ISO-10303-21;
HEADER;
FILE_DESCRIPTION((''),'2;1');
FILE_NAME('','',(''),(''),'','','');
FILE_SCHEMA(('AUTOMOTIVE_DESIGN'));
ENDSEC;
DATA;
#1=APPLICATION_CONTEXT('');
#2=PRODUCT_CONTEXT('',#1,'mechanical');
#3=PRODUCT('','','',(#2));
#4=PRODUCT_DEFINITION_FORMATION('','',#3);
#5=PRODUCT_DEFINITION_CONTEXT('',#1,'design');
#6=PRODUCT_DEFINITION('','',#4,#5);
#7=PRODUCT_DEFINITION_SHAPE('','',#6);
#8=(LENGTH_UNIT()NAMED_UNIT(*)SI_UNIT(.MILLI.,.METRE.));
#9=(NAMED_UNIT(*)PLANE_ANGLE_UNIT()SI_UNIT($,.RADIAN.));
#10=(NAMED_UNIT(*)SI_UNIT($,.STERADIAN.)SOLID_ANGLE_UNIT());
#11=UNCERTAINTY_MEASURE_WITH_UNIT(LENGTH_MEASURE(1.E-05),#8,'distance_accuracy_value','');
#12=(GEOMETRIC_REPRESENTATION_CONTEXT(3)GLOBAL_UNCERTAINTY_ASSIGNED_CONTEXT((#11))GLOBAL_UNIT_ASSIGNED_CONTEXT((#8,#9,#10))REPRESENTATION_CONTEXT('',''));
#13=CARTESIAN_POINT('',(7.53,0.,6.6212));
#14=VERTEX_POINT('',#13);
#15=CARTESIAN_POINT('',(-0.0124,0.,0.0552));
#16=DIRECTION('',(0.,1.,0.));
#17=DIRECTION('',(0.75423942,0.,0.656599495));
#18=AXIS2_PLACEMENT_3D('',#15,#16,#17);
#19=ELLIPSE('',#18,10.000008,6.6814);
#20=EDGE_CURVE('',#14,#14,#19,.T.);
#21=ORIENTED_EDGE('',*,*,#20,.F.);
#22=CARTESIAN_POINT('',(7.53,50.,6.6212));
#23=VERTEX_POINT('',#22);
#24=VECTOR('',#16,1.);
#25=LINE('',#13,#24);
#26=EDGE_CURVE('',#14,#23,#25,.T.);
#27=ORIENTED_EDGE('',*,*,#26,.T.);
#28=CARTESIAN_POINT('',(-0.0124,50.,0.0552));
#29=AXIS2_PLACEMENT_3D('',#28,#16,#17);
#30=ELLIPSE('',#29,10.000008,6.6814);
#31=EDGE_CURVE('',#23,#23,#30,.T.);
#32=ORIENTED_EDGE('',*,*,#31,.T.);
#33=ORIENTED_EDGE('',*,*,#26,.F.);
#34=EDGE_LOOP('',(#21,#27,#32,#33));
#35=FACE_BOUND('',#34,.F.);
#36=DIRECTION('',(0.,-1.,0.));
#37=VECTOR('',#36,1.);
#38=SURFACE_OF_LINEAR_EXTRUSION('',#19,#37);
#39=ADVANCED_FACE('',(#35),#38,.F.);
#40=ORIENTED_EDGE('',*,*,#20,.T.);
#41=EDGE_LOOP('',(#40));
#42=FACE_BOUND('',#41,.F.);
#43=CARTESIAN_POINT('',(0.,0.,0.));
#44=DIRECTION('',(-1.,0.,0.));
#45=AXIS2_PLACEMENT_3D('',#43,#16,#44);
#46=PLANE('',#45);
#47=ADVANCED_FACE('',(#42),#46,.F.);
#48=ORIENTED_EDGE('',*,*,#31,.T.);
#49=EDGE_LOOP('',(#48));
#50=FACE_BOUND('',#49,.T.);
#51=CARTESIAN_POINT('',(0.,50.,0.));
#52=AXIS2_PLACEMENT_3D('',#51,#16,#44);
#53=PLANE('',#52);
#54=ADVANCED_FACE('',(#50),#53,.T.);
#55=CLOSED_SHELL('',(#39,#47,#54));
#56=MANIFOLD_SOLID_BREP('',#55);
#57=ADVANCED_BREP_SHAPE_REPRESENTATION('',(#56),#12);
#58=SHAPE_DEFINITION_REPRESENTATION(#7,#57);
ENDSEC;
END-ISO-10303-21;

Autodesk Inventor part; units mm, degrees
ref_plane "YZ Plane" through (0, 0, 0) normal (1, 0, 0) x (0, 1, 0)
ref_plane "XZ Plane" through (0, 0, 0) normal (0, 1, 0) x (-1, 0, 0)
ref_plane "XY Plane" through (0, 0, 0) normal (0, 0, 1) x (1, 0, 0)
sketch "Sketch2" plane through (0, 0, 0) normal (0, 1, 0) x (-1, 0, 0)
  ellipse E0 centre (0.0124, 0.0552) end of major axis (-7.53, 6.6212) minor radius 6.6814
  point P0 (0, 0)
  point P1 (0, 0)
extrude "Extrusion1" add sketch "Sketch2" along normal blind 50
properties part number "REMEDIO5"
